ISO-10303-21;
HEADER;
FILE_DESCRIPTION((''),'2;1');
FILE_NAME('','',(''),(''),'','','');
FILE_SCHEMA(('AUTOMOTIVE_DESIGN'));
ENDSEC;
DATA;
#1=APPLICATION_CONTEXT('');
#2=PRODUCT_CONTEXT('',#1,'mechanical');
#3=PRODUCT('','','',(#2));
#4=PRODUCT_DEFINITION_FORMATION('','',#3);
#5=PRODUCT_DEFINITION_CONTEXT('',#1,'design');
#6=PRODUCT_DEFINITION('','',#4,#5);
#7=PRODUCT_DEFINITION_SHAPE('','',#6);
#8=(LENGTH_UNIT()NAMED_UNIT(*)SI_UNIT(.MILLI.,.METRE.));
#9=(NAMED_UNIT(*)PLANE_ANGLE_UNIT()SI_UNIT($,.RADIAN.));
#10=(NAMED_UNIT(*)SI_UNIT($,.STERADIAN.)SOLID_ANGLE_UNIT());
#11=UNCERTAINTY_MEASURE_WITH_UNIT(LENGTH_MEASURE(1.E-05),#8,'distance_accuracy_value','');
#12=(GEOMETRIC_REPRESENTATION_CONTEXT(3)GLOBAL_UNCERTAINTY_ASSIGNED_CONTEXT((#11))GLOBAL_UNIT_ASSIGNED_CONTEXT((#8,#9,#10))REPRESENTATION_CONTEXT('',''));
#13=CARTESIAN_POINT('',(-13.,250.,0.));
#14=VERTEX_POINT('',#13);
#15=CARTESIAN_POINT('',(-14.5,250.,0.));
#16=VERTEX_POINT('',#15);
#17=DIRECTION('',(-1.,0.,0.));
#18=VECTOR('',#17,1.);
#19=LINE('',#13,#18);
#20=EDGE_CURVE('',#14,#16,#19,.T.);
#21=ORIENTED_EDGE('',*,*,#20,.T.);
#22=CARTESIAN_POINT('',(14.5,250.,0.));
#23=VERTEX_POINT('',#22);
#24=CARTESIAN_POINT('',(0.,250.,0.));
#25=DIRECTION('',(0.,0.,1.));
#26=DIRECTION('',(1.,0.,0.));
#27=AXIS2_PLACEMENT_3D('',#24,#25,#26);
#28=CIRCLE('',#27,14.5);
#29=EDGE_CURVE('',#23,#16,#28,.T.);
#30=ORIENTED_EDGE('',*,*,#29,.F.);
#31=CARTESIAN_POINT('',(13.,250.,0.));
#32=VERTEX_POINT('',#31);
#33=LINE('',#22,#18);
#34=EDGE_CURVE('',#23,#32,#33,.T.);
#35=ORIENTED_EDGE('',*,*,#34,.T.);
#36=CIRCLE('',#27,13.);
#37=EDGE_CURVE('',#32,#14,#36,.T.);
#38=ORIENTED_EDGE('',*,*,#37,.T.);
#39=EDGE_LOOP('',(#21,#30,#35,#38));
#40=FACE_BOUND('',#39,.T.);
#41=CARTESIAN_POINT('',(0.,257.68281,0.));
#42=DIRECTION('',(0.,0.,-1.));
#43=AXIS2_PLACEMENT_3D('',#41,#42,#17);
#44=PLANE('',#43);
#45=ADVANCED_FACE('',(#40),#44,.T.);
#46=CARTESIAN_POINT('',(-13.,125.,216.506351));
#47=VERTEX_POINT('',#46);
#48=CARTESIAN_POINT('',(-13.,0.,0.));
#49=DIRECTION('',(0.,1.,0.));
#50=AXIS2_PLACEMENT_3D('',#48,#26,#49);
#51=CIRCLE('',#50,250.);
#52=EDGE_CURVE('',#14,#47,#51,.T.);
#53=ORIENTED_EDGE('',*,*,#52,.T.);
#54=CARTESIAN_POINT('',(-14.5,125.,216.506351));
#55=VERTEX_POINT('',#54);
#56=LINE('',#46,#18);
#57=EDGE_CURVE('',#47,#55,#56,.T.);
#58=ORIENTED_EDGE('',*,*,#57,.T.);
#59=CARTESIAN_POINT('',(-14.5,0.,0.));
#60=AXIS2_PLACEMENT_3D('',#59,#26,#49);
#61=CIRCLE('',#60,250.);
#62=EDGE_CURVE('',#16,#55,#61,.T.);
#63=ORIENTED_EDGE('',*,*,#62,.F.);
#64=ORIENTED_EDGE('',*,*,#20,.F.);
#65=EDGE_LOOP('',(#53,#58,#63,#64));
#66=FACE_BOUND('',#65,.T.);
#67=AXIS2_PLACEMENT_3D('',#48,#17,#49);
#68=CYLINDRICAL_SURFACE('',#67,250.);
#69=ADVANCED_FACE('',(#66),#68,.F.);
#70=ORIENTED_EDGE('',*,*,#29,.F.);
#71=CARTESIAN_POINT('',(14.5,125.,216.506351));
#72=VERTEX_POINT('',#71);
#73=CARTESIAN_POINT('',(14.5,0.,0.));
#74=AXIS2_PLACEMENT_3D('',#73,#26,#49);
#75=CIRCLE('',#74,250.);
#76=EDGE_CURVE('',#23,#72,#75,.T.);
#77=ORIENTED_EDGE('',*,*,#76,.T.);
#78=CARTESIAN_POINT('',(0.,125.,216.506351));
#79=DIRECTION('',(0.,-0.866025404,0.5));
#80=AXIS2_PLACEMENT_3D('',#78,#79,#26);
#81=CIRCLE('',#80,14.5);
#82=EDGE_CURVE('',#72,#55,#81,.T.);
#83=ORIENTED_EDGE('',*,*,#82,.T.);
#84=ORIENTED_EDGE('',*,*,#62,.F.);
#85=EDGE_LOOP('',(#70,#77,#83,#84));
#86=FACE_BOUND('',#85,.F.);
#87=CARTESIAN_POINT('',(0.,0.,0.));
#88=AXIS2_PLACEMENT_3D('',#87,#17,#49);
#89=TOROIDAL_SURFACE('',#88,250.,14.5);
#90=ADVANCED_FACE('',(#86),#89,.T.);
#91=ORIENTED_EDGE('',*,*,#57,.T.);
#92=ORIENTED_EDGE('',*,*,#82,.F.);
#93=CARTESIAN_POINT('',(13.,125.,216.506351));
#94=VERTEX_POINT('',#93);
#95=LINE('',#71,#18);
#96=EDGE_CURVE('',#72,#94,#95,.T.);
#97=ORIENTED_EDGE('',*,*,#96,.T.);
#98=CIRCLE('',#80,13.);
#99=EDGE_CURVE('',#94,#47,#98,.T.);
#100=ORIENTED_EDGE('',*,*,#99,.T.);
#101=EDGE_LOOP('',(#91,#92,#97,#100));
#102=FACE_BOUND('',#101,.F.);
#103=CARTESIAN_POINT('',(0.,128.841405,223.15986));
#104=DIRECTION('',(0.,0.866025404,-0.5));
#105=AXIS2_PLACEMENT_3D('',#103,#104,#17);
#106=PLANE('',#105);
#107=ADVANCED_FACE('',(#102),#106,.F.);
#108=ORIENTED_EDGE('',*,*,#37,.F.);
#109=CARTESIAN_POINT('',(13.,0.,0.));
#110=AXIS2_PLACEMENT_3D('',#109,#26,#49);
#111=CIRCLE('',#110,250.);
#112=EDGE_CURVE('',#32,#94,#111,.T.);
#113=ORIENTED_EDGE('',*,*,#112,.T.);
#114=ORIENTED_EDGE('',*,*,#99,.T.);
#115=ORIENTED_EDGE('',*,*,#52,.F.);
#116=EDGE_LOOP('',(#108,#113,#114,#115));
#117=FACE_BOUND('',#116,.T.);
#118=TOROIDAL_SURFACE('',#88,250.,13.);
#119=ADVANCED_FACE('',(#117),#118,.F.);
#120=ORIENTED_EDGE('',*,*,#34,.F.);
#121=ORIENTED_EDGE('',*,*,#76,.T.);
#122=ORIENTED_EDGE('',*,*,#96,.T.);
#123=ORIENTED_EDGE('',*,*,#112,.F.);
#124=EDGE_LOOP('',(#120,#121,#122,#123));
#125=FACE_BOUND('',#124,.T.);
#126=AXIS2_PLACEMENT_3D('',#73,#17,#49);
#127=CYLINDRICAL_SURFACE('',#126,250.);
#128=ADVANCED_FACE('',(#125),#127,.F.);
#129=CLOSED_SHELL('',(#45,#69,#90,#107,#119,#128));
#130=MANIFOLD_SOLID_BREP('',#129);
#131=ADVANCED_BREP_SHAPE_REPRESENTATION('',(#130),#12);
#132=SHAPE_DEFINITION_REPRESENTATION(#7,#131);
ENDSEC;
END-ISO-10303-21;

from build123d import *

# Parameters (mm, degrees)
REVOLUTION_ANGLE = 60


with BuildPart() as part:
    # Sketch → Revolution (revolve)
    with BuildSketch(Plane.XY):
        with BuildLine():
            ThreePointArc((13, 250), (0, 263), (-13, 250))
            Line((-13, 250), (-14.5, 250))
            ThreePointArc((14.5, 250), (0, 264.5), (-14.5, 250))
            Line((14.5, 250), (13, 250))
        make_face()
    revolve(axis=Axis((0, 0, 0), (1, 0, 0)), revolution_arc=REVOLUTION_ANGLE)


solid = part.part
